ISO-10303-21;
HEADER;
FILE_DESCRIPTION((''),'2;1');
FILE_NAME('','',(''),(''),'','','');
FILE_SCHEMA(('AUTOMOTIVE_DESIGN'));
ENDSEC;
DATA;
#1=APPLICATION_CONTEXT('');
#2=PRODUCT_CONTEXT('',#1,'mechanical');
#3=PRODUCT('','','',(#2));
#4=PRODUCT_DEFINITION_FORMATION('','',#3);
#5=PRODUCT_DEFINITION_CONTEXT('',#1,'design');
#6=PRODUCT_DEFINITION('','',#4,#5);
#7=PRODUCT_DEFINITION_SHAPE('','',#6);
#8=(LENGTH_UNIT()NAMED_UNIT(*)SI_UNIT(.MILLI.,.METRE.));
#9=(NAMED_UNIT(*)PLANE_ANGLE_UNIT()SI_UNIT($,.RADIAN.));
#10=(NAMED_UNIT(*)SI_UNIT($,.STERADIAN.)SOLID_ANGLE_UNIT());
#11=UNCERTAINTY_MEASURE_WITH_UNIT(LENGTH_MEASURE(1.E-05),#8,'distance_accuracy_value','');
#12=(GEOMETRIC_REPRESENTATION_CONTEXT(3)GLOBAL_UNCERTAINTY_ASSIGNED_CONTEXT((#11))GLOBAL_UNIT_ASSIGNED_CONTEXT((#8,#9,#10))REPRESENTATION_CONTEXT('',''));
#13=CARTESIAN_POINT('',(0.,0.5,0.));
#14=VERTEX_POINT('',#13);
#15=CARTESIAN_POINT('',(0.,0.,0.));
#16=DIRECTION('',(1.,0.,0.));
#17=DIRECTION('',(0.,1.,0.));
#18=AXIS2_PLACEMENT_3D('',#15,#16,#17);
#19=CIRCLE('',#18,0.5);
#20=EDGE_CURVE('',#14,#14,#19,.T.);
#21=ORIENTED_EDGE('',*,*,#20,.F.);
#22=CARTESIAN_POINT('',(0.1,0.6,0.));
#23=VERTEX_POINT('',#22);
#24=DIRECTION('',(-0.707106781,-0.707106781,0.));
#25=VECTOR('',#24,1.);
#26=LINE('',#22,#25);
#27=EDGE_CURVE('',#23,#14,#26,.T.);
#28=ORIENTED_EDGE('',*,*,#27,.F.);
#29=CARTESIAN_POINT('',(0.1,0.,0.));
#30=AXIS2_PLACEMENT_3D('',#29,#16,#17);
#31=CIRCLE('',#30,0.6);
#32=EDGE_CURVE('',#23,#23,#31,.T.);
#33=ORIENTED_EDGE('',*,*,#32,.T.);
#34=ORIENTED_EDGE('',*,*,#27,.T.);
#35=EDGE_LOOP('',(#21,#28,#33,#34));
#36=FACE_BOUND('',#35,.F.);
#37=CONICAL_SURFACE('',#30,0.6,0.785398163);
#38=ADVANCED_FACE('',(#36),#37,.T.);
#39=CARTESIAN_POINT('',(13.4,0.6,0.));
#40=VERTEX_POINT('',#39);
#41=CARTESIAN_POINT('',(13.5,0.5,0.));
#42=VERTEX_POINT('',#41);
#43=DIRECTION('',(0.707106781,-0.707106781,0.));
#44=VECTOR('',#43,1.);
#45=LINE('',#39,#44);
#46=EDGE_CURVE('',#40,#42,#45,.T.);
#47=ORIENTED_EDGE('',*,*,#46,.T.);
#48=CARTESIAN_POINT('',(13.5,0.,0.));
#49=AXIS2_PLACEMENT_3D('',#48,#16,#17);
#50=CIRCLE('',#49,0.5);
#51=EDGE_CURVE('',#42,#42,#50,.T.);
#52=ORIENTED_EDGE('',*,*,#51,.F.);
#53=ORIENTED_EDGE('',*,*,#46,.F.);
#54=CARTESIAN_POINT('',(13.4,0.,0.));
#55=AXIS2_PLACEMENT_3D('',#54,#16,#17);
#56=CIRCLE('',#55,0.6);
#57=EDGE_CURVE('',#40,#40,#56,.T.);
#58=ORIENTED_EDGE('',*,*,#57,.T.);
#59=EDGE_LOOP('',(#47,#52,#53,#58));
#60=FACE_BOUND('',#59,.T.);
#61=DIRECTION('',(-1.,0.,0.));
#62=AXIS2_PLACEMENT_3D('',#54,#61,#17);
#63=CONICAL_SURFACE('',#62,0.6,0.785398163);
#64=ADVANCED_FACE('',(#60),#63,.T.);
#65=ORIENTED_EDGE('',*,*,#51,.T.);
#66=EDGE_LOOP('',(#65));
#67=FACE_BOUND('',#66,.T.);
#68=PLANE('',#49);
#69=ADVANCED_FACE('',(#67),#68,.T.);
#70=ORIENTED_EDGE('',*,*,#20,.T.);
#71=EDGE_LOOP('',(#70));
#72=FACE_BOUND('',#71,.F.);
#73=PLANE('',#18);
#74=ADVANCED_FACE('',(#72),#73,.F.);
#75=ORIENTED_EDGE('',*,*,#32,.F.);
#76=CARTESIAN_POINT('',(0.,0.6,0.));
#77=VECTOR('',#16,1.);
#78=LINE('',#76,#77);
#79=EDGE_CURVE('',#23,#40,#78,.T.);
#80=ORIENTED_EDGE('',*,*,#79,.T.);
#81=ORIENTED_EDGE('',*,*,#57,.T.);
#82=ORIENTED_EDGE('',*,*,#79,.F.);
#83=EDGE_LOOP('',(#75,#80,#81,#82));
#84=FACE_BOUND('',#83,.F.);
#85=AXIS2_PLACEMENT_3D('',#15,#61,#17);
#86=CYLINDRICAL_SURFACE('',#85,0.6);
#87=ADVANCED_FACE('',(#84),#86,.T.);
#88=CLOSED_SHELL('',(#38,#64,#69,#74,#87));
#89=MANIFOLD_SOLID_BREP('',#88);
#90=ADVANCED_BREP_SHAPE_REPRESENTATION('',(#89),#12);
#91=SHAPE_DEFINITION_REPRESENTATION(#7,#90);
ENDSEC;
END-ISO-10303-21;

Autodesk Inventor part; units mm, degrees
ref_plane "YZ Plane" through (0, 0, 0) normal (1, 0, 0) x (0, 1, 0)
ref_plane "XZ Plane" through (0, 0, 0) normal (0, 1, 0) x (-1, 0, 0)
ref_plane "XY Plane" through (0, 0, 0) normal (0, 0, 1) x (1, 0, 0)
sketch "Эскиз1" plane through (0, 0, 0) normal (1, 0, 0) x (0, 1, 0)
  circle A0 centre (0, 0) radius 0.6
  dimension "d0" = 1.2
extrude "Выдавливание1" add sketch "Эскиз1" along normal blind 13.5
chamfer "Фаска1" distance 0.1 angle 45 2 edges at (0, -0.6, 0) (13.5, -0.6, 0)
properties part number "Вал промежуточный" material "Сталь нержавеющая, 440C"
